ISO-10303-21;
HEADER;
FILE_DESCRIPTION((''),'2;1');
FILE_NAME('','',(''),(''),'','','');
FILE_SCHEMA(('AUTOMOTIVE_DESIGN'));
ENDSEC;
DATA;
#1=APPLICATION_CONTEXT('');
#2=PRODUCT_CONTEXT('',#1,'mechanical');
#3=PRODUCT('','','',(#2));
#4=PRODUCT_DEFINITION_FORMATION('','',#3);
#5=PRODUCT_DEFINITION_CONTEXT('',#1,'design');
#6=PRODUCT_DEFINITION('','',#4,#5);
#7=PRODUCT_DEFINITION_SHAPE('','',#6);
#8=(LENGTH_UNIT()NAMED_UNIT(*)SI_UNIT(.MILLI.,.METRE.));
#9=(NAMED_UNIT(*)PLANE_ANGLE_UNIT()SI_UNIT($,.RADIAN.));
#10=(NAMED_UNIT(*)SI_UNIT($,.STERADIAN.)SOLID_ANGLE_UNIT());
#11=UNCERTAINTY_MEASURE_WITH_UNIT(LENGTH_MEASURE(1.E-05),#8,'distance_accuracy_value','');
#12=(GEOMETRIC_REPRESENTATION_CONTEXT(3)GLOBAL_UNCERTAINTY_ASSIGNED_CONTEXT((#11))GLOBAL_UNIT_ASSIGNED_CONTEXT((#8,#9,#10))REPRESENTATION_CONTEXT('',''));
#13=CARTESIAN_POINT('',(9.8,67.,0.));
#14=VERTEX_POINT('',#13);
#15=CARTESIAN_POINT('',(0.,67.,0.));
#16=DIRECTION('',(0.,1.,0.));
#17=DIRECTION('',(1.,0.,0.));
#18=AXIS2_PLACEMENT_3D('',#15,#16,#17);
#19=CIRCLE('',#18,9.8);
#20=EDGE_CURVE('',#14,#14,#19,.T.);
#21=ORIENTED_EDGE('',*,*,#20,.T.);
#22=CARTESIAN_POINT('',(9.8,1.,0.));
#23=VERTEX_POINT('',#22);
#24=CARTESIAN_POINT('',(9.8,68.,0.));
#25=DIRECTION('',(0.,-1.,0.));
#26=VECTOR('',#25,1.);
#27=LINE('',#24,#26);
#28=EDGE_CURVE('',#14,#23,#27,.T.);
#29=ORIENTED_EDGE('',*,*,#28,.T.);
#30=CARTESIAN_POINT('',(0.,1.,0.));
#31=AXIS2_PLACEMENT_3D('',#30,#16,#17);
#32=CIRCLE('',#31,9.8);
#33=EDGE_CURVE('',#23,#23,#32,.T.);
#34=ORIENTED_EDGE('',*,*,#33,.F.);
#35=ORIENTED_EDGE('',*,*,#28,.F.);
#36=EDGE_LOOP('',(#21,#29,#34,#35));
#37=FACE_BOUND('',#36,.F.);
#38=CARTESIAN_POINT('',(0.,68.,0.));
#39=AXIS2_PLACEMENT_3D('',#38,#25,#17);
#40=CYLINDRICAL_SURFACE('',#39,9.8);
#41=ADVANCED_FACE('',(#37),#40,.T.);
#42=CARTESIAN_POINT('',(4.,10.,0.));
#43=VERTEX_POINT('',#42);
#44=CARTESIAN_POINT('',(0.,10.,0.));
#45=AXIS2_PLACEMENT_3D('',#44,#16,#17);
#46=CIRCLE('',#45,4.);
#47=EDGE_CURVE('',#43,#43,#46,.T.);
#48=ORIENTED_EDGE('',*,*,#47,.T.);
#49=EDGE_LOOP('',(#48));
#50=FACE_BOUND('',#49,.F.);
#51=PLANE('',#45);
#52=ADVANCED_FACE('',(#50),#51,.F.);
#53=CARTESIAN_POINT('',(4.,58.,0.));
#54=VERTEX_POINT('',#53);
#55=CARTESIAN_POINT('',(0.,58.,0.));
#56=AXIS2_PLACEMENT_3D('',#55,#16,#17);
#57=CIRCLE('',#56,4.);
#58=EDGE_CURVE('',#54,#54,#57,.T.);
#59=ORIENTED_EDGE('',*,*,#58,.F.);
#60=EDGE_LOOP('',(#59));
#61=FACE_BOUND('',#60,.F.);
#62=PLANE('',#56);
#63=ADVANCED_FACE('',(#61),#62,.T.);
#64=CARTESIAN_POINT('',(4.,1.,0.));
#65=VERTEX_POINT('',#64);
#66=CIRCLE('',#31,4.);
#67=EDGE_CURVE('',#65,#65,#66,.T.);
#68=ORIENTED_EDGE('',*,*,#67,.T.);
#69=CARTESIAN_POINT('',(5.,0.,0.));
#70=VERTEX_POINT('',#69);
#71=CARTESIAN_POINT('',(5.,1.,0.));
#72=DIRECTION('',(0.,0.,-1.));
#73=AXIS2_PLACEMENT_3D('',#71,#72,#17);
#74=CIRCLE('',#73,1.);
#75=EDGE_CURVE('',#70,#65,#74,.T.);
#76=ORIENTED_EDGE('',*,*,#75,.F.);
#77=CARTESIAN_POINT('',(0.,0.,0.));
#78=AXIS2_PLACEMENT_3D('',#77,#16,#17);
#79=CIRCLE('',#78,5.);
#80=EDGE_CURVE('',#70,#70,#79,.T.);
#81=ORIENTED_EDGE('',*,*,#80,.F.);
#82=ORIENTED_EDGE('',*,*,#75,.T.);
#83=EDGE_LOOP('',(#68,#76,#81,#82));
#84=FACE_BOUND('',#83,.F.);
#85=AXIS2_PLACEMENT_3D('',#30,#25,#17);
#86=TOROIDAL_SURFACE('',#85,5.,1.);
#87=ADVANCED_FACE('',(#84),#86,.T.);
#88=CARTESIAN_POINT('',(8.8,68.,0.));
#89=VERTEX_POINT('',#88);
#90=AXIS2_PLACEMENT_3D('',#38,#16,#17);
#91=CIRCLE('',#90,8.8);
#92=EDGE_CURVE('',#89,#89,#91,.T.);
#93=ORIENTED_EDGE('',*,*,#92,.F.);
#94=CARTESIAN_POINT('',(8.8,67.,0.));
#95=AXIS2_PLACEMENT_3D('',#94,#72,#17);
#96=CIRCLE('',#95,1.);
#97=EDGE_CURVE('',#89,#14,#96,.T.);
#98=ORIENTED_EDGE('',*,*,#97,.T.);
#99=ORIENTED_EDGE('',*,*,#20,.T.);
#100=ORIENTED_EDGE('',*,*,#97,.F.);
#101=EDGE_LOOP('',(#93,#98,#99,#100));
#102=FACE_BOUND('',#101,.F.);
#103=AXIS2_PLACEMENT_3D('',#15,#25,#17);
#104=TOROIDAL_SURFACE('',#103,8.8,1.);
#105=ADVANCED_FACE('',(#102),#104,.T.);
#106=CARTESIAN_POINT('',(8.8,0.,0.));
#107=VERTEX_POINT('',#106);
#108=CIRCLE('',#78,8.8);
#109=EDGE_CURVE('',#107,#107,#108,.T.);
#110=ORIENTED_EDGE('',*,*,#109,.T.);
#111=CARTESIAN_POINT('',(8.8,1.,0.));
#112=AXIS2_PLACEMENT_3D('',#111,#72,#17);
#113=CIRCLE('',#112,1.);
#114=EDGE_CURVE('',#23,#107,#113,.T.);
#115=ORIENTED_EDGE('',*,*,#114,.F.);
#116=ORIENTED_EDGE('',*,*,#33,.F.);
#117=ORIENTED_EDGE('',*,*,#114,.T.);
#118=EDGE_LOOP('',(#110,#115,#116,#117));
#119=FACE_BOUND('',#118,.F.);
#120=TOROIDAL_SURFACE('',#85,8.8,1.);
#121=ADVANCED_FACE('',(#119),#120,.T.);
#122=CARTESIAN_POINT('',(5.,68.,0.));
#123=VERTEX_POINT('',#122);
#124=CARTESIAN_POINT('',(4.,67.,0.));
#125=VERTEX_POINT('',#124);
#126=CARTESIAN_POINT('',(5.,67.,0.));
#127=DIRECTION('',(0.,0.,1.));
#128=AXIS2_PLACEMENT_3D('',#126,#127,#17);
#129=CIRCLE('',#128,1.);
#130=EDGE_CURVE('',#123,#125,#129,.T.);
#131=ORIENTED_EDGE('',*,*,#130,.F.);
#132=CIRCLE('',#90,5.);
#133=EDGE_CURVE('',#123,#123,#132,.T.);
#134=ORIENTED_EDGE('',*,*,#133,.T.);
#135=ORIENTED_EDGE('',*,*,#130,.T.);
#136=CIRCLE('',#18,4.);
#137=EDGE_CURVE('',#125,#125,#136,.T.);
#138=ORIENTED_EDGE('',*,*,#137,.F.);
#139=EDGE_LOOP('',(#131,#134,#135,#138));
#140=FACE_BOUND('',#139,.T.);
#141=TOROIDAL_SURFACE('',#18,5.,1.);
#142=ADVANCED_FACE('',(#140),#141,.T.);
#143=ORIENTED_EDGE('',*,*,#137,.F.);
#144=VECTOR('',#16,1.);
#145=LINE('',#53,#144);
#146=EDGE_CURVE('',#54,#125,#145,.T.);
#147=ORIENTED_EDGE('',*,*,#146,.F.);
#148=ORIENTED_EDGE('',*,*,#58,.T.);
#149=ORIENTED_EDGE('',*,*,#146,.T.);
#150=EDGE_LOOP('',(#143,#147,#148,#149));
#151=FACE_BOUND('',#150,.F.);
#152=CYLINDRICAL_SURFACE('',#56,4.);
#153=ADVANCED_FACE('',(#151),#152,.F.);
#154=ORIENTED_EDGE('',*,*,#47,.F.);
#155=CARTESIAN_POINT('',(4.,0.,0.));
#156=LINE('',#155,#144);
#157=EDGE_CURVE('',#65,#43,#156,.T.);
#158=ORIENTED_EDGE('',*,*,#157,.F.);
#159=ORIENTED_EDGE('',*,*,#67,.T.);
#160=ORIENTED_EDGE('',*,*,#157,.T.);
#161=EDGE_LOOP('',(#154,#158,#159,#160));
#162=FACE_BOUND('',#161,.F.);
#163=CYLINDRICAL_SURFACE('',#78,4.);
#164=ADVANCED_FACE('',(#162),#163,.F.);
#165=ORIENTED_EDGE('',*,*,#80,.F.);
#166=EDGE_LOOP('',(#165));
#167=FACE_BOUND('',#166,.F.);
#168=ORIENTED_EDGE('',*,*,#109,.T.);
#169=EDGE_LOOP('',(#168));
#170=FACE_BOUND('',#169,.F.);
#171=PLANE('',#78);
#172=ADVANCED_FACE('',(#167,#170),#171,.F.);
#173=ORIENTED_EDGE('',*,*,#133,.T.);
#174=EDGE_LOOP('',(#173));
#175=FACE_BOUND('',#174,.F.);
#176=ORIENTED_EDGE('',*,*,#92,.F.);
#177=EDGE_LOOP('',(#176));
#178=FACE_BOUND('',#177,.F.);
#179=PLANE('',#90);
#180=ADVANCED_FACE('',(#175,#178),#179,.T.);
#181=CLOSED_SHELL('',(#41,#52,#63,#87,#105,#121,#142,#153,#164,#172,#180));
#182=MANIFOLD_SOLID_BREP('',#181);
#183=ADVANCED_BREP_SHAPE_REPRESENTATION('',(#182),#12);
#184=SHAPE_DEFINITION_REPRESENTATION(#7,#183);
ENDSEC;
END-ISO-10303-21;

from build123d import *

# Parameters (mm, degrees)
FILLET_R = 1


with BuildPart() as part:
    # Sketch → Revolution (revolve)
    with BuildSketch(Plane.XY):
        Polygon((4, 68), (9.8, 68), (9.8, 0), (4, 0), (4, 10), (0, 10), (0, 58), (4, 58), align=None)
    revolve(axis=Axis((0, 0, 0), (0, 1, 0)))

    # Fillet
    fillet_edges = [part.edges().sort_by_distance(p)[0] for p in [
        (-4, 0, 0),
        (-9.8, 0, 0),
        (-9.8, 68, 0),
        (-4, 68, 0),
    ]]
    fillet(fillet_edges, radius=FILLET_R)


solid = part.part
